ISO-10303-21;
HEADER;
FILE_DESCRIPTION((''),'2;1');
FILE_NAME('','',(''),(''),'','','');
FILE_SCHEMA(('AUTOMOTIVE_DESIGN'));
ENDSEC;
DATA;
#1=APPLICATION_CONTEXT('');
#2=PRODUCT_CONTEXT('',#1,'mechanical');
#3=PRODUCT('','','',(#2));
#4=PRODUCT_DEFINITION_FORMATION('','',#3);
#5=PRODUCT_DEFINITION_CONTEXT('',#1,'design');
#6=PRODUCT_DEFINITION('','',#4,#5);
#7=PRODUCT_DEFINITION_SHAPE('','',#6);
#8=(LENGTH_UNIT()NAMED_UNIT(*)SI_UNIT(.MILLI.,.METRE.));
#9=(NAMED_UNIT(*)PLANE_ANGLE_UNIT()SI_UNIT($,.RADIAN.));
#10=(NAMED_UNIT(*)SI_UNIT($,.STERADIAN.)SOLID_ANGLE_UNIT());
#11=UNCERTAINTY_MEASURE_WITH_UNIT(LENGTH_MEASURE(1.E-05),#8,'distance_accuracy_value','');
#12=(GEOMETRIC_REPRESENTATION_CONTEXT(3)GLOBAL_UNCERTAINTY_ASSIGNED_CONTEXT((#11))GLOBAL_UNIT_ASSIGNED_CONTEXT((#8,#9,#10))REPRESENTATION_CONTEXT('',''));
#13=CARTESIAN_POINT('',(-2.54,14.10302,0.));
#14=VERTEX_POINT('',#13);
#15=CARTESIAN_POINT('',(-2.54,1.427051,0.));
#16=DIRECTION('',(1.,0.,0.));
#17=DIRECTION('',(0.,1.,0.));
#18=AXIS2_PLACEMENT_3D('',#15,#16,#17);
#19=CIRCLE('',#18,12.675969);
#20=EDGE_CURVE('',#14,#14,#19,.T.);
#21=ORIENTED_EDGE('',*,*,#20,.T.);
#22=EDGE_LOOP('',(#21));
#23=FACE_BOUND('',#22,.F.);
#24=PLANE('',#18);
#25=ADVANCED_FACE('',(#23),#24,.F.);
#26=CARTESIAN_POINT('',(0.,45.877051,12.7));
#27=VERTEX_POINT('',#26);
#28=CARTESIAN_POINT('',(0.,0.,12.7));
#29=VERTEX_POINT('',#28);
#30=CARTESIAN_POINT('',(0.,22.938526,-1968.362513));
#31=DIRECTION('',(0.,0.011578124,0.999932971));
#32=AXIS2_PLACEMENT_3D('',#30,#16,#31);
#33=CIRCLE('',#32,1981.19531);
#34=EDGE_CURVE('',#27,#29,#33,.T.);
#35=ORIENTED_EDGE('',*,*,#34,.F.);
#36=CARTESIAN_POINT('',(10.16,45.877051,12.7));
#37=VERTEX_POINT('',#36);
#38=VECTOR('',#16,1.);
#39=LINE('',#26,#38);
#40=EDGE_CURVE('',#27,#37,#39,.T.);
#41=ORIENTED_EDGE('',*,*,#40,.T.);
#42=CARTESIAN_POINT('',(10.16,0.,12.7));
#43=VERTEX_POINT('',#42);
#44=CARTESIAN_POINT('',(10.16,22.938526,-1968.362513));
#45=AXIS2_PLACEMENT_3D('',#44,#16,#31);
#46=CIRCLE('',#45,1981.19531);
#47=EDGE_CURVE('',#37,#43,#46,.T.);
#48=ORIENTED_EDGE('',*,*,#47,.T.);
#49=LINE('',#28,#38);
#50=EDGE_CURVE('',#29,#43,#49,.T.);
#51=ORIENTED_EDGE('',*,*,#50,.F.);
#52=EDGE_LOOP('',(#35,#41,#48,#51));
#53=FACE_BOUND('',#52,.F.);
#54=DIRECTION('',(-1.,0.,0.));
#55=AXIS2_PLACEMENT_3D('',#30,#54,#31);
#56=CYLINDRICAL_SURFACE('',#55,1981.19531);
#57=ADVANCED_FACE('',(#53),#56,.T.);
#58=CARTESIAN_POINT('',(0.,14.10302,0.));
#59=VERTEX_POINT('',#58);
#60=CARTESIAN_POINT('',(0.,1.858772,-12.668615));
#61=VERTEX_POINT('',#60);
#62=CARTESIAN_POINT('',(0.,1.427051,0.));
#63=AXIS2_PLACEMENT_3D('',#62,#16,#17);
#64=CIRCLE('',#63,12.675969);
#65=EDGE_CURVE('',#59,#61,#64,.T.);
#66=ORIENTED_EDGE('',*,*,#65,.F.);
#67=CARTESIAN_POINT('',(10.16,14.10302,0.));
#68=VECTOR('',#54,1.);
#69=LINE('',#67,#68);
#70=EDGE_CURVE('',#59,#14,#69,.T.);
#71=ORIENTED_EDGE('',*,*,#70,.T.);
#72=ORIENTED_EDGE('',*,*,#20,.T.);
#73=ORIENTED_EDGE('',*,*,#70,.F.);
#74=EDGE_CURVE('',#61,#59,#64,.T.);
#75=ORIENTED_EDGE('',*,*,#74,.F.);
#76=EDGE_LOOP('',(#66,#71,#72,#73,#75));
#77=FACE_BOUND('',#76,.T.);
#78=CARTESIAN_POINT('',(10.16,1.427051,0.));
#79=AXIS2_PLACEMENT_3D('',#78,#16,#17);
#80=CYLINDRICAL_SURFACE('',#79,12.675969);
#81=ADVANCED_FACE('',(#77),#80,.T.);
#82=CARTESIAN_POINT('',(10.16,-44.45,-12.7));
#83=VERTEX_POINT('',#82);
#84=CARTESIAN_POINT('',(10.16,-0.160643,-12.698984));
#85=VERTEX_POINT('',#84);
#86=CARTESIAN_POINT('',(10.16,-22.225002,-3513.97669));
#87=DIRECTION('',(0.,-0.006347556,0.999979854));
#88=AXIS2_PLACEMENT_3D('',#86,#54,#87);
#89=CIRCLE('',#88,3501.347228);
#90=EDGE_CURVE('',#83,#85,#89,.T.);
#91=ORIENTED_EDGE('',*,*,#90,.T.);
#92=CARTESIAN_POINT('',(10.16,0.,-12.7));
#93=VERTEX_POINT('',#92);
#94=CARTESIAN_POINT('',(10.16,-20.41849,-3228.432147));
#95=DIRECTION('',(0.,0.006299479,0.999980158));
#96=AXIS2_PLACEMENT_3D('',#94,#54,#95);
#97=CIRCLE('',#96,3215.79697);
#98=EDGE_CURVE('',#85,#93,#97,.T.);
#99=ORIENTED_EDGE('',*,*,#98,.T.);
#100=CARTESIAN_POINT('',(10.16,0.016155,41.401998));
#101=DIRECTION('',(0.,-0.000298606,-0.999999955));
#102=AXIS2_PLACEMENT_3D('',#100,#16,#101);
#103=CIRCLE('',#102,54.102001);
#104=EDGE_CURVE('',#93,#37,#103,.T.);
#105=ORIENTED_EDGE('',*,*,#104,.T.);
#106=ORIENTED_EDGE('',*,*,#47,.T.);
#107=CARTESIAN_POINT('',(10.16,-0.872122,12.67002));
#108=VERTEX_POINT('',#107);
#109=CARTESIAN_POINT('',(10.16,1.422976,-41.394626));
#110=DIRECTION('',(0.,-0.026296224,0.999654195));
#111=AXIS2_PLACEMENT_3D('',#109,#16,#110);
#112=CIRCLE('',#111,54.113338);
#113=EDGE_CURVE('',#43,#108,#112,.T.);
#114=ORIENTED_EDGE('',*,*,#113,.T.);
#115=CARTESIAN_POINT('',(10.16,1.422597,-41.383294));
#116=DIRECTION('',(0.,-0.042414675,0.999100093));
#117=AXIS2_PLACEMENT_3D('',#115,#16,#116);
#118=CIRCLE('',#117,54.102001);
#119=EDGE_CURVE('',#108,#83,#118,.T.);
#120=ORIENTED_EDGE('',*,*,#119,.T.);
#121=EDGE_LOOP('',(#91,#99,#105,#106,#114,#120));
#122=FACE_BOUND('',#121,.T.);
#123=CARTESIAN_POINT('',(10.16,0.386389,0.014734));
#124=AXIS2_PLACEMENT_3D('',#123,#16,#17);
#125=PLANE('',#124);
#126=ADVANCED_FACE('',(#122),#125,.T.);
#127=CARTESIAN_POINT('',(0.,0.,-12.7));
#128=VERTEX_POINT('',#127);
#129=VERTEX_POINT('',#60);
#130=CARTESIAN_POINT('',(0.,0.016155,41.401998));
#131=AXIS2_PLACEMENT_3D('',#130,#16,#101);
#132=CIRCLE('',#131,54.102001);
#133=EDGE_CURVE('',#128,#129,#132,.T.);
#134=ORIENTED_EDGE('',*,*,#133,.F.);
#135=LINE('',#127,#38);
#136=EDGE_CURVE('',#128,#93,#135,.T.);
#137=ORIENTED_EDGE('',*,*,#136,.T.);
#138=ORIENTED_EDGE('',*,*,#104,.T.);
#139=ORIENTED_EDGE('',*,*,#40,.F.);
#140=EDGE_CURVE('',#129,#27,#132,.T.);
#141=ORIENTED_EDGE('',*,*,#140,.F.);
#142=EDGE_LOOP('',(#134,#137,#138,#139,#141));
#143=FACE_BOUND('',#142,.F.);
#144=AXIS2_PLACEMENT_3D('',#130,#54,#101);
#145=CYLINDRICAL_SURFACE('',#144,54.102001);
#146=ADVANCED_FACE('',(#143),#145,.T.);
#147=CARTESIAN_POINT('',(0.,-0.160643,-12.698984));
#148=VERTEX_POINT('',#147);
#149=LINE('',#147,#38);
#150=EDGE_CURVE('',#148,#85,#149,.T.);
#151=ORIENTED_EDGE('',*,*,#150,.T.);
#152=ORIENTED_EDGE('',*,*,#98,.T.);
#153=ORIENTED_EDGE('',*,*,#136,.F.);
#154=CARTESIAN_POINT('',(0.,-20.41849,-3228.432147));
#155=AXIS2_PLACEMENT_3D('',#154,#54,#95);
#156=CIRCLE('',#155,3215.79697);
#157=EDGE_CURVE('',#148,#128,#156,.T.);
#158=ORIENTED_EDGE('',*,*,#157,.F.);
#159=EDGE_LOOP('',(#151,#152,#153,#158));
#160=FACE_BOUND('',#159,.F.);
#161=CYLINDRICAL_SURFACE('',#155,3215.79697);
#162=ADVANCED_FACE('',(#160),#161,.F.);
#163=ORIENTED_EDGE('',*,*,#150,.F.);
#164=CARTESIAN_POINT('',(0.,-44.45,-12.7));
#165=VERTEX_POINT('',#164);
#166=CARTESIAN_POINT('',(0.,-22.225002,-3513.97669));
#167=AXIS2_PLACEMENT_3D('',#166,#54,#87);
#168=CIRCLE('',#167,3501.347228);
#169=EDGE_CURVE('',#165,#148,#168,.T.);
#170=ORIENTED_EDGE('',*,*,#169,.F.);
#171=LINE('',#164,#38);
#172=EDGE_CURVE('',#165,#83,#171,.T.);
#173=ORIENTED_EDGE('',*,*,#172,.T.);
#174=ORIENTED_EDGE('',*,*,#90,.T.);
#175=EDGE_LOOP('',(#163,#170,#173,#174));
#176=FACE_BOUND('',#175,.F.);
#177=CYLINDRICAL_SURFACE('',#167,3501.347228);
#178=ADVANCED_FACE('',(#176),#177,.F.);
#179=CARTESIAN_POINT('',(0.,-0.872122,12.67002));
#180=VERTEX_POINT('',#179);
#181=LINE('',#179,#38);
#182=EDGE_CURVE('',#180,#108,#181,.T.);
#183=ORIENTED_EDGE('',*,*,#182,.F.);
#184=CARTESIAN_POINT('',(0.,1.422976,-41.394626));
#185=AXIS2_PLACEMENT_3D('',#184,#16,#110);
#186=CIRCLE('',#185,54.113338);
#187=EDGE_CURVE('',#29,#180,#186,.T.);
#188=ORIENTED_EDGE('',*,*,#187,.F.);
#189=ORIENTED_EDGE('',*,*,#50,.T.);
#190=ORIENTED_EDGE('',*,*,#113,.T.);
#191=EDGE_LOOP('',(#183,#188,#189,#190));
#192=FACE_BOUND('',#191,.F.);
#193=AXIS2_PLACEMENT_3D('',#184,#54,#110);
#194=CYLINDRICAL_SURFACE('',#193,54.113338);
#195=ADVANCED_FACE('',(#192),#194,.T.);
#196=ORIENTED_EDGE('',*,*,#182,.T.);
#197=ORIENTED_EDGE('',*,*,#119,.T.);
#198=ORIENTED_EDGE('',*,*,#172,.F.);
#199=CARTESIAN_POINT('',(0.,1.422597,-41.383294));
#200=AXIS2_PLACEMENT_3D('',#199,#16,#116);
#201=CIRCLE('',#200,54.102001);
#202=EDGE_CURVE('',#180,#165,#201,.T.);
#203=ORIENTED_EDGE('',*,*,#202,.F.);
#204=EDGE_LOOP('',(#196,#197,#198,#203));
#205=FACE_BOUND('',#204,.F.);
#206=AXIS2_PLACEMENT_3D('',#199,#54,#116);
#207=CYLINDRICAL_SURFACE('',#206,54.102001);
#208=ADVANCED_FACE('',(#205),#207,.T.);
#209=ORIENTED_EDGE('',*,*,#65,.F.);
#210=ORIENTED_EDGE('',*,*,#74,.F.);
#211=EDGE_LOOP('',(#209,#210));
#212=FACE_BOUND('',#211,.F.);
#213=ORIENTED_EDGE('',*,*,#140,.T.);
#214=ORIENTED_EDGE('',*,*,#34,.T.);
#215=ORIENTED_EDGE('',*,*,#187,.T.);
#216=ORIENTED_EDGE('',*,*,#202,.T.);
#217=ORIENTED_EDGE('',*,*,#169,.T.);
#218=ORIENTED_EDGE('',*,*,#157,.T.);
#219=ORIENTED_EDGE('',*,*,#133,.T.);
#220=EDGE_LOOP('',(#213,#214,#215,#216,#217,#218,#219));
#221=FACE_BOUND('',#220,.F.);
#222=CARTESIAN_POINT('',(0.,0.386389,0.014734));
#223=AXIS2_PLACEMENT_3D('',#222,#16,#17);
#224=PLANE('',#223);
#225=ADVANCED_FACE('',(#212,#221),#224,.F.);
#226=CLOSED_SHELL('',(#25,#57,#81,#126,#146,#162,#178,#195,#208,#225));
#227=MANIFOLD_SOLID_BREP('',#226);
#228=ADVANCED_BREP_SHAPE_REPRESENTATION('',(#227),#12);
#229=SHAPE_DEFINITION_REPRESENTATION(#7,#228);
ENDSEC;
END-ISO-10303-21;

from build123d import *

# Parameters (mm, degrees)
F1_DEPTH = 10.16
F2_R     = 12.675969
F3_DEPTH = 12.7


with BuildPart() as f1:
    # F0 (on Right) → F1 (new body)
    with BuildSketch(Plane.YZ):
        with BuildLine():
            ThreePointArc((0, -12.7), (8.980256, -8.980256), (12.7, 0))
            ThreePointArc((12.7, 0), (8.980256, 8.980256), (0, 12.7))
            ThreePointArc((0, 12.7), (-0.436122, 12.686768), (-0.872122, 12.67002))
            ThreePointArc((-0.872122, 12.67002), (-12.695008, -0.356034), (-0.160643, -12.698984))
            ThreePointArc((-0.160643, -12.698984), (-0.080321, -12.699491), (0, -12.7))
        make_face()
        with BuildLine():
            ThreePointArc((0, 12.7), (8.980256, 8.980256), (12.7, 0))
            ThreePointArc((12.7, 0), (8.980256, -8.980256), (0, -12.7))
            ThreePointArc((0, -12.7), (26.221595, -5.929824), (45.877051, 12.7))
            ThreePointArc((45.877051, 12.7), (22.938525, 12.832797), (0, 12.7))
        make_face()
        with BuildLine():
            ThreePointArc((-0.160643, -12.698984), (-12.695008, -0.356034), (-0.872122, 12.67002))
            ThreePointArc((-0.872122, 12.67002), (-25.79747, 5.372395), (-44.45, -12.7))
            ThreePointArc((-44.45, -12.7), (-22.305323, -12.629463), (-0.160643, -12.698984))
        make_face()
    extrude(amount=F1_DEPTH)

    # F2 (on face) → F3 (join)
    with BuildSketch(Plane.YZ.offset(10.16)):
        with Locations((1.427051, 0)):
            Circle(F2_R)
    extrude(amount=-F3_DEPTH)


solid = f1.part
